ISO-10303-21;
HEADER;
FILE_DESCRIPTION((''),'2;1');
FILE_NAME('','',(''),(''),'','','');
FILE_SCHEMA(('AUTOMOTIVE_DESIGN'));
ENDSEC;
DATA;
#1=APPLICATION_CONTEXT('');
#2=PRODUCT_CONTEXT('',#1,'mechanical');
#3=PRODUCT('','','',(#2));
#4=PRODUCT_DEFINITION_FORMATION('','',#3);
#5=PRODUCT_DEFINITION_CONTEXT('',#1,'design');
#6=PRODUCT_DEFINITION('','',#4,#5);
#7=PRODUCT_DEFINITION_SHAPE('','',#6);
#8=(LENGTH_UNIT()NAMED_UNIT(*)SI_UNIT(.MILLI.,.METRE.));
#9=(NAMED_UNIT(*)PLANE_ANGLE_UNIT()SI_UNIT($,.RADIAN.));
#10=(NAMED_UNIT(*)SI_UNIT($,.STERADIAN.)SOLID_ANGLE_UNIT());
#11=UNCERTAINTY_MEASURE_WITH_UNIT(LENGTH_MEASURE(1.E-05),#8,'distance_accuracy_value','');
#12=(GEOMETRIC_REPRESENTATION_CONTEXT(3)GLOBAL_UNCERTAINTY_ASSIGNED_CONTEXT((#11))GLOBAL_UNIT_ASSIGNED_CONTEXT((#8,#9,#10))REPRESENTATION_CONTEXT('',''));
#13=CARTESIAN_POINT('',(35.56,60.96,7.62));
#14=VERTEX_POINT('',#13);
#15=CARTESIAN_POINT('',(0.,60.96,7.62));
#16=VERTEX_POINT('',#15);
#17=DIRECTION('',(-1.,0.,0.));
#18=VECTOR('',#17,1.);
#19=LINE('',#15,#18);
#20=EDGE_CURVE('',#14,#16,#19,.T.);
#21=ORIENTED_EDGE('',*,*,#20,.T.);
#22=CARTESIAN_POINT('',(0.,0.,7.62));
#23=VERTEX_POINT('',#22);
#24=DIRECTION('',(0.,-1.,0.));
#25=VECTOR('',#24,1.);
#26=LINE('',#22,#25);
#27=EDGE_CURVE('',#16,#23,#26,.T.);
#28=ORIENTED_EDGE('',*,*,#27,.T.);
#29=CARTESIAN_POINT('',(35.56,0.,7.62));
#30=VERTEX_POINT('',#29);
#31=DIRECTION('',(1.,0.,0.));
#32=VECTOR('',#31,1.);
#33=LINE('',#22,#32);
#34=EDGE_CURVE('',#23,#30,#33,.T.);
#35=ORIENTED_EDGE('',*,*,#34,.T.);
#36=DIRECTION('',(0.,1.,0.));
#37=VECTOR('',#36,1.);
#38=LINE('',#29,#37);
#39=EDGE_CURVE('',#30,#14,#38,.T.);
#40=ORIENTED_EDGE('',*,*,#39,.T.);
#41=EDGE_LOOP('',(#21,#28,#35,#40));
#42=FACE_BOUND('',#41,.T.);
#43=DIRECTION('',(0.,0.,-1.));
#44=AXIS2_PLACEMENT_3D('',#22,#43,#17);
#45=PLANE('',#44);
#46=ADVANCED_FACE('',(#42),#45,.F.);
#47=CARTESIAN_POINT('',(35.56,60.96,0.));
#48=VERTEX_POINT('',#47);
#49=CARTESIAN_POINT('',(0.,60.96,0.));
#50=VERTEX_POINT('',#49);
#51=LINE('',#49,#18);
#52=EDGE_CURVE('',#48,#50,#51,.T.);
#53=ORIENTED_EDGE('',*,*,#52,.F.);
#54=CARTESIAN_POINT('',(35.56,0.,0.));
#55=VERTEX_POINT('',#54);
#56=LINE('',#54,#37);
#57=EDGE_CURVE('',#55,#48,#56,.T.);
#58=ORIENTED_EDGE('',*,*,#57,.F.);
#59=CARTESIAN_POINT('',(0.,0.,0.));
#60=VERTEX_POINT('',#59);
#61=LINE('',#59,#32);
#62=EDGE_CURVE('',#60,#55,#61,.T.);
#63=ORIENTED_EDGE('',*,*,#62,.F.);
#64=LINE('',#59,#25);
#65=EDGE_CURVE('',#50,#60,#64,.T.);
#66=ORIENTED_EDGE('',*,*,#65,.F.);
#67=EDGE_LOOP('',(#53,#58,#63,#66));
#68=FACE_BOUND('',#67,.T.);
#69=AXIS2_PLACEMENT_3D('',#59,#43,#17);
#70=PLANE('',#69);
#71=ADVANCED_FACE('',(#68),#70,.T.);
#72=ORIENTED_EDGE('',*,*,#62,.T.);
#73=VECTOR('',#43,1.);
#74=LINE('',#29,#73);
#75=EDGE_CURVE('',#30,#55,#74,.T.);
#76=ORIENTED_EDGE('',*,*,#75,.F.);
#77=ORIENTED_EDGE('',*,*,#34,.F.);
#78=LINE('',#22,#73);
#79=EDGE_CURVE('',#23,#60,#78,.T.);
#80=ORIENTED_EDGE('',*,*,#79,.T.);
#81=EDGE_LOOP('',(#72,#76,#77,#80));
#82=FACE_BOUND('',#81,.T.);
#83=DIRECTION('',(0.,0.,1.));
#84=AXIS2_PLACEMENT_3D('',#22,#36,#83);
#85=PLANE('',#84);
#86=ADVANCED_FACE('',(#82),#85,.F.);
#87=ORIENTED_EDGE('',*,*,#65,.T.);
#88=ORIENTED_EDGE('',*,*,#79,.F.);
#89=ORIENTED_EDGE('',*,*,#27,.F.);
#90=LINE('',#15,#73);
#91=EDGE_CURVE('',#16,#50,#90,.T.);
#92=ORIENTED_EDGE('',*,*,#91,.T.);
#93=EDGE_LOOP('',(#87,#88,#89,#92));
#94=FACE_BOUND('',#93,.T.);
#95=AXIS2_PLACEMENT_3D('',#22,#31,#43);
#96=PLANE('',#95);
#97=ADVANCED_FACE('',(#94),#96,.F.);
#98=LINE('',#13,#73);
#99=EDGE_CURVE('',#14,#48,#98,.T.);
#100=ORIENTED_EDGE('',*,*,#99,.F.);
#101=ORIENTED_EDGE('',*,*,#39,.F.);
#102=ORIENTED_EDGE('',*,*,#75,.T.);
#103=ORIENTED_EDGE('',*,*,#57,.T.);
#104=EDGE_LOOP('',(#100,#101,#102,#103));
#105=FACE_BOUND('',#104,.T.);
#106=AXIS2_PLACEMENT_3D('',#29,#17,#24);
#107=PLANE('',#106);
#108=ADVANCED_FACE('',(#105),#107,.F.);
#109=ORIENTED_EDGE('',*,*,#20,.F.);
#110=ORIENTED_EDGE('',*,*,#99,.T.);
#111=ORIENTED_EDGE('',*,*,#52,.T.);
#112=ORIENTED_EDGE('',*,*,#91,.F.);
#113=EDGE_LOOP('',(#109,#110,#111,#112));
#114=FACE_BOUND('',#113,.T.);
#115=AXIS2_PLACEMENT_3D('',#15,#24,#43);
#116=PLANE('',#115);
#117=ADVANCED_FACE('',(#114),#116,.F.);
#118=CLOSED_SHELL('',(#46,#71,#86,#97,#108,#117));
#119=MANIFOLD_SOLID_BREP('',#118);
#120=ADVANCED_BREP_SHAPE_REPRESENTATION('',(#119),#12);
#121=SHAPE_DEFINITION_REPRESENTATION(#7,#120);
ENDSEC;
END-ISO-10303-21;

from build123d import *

# Parameters (mm, degrees)
SKETCH1_W           = 35.56
SKETCH1_H           = 60.96
BOSS_EXTRUDE1_DEPTH = 7.62


with BuildPart() as part:
    # Sketch1 → Boss-Extrude1 (new body)
    with BuildSketch(Plane.XY):
        with Locations((17.78, 30.48)):
            Rectangle(SKETCH1_W, SKETCH1_H)
    extrude(amount=BOSS_EXTRUDE1_DEPTH)


solid = part.part
